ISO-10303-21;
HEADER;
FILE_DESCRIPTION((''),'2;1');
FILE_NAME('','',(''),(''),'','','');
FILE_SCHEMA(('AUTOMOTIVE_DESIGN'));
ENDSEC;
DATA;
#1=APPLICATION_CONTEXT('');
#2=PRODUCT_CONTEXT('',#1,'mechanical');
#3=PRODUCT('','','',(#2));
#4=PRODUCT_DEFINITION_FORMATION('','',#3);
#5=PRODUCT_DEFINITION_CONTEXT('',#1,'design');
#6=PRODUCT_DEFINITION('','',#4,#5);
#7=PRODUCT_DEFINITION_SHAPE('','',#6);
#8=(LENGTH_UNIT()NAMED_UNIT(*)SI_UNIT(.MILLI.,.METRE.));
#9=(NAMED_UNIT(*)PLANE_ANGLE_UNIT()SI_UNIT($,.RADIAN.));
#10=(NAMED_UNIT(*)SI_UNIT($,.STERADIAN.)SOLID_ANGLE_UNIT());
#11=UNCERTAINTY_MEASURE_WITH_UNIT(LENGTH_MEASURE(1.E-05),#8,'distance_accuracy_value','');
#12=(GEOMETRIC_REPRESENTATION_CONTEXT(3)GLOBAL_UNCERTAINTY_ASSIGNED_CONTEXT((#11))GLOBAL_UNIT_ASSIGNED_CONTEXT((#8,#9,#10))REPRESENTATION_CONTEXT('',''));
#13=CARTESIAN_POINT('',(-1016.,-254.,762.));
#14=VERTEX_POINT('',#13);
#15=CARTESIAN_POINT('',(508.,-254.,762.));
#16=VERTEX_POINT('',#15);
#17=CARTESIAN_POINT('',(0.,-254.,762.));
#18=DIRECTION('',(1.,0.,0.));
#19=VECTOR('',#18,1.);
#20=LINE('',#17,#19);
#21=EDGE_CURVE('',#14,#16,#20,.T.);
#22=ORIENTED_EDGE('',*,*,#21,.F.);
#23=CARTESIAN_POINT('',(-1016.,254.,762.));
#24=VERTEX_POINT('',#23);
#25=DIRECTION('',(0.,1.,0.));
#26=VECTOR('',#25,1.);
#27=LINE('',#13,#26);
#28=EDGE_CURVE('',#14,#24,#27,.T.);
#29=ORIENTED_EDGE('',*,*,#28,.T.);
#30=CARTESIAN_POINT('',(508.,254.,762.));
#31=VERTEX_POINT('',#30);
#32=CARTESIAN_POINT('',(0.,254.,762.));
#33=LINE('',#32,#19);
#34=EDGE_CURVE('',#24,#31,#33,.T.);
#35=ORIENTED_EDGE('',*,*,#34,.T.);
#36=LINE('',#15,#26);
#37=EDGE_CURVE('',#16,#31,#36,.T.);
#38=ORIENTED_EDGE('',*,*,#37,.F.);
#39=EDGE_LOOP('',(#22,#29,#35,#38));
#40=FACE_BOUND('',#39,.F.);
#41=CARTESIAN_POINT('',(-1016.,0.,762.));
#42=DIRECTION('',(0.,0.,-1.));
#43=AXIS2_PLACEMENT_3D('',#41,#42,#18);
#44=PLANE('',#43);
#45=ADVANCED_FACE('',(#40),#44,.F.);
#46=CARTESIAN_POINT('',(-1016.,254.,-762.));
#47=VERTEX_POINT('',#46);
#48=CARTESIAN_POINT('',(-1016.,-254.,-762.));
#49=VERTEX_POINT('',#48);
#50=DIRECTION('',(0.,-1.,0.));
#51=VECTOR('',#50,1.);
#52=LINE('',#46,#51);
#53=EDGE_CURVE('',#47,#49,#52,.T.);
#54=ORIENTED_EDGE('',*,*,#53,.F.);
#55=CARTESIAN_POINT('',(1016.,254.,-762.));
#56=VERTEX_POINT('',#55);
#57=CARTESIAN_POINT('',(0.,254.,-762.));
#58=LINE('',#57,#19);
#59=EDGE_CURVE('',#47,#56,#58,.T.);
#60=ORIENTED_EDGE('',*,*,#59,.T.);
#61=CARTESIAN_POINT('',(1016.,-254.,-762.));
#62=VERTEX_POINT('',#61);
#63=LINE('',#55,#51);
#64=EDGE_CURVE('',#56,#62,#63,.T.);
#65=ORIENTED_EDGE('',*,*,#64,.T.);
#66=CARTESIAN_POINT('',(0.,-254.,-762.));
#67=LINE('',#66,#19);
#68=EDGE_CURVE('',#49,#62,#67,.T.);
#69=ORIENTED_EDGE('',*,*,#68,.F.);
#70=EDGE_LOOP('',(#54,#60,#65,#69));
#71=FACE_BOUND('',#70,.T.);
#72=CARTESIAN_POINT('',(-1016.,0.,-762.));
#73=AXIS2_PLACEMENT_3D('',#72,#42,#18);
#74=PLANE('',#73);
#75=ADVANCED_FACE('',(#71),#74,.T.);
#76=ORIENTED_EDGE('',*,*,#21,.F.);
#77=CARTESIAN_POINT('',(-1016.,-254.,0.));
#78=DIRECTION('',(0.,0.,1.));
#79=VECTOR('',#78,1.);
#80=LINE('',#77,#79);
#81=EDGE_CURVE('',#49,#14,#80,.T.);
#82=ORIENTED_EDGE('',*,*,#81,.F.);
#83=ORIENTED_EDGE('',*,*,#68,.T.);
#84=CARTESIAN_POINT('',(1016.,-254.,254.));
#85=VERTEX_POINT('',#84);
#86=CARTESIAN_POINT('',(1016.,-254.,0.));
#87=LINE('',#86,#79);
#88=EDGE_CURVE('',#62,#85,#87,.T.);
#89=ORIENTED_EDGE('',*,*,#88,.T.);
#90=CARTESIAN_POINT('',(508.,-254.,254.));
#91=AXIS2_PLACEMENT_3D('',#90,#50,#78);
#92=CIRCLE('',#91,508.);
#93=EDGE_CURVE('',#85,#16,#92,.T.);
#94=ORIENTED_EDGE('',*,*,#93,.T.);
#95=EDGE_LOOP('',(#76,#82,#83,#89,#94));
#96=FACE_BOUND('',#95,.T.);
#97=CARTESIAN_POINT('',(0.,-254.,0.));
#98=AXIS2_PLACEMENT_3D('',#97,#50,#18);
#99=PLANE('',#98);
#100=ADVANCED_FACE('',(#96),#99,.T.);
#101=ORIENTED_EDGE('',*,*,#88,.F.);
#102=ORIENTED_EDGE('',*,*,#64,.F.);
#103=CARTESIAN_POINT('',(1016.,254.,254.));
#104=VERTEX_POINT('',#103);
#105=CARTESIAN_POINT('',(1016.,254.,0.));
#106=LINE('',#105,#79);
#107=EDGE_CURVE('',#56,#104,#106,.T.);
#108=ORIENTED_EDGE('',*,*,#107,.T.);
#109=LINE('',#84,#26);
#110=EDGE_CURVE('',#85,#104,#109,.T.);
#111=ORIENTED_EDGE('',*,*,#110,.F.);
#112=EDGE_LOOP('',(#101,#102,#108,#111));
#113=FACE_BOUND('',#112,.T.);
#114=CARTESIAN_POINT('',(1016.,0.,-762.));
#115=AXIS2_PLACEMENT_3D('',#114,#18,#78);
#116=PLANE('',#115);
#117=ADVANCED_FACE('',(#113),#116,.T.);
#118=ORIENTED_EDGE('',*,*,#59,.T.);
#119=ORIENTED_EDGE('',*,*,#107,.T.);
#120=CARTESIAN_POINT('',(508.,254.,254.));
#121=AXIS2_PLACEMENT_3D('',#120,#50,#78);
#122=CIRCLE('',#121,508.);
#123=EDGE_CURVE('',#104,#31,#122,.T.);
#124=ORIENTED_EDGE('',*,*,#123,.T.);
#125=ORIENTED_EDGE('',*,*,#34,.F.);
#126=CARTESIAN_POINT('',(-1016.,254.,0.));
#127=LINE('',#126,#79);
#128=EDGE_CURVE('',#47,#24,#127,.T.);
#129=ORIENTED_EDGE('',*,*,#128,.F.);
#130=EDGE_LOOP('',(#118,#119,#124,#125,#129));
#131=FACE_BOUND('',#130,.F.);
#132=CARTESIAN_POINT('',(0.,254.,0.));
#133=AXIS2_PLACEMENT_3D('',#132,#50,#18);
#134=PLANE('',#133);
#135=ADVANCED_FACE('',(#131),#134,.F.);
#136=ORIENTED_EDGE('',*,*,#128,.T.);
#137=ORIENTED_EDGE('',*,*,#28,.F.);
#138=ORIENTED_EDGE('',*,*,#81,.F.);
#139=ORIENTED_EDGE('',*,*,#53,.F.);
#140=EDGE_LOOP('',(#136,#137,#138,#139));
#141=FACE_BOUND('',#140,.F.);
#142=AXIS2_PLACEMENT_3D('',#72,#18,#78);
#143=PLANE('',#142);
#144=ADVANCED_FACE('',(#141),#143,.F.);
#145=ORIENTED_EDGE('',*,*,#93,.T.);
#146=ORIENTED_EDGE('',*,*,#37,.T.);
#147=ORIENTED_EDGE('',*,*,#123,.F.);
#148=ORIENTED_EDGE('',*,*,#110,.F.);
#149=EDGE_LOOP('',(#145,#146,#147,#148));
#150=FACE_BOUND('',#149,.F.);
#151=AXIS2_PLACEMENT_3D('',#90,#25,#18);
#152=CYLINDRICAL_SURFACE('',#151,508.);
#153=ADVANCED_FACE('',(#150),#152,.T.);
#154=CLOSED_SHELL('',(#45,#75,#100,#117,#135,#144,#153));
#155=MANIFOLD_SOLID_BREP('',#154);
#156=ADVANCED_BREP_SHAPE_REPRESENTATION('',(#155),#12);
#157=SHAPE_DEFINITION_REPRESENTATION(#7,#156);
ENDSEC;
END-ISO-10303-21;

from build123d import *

# Parameters (mm, degrees)
F0_W     = 2032
F0_H     = 1524
F1_DEPTH = 254
F2_R     = 508


with BuildPart() as f1:
    # F0 (on Front) → F1 (new body, symmetric)
    with BuildSketch(Plane.XZ):
        Rectangle(F0_W, F0_H)
    extrude(amount=F1_DEPTH, both=True)

    # F2
    f2_edges = [f1.edges().sort_by_distance(p)[0] for p in [
        (1016, 0, 762),
    ]]
    fillet(f2_edges, radius=F2_R)


solid = f1.part
